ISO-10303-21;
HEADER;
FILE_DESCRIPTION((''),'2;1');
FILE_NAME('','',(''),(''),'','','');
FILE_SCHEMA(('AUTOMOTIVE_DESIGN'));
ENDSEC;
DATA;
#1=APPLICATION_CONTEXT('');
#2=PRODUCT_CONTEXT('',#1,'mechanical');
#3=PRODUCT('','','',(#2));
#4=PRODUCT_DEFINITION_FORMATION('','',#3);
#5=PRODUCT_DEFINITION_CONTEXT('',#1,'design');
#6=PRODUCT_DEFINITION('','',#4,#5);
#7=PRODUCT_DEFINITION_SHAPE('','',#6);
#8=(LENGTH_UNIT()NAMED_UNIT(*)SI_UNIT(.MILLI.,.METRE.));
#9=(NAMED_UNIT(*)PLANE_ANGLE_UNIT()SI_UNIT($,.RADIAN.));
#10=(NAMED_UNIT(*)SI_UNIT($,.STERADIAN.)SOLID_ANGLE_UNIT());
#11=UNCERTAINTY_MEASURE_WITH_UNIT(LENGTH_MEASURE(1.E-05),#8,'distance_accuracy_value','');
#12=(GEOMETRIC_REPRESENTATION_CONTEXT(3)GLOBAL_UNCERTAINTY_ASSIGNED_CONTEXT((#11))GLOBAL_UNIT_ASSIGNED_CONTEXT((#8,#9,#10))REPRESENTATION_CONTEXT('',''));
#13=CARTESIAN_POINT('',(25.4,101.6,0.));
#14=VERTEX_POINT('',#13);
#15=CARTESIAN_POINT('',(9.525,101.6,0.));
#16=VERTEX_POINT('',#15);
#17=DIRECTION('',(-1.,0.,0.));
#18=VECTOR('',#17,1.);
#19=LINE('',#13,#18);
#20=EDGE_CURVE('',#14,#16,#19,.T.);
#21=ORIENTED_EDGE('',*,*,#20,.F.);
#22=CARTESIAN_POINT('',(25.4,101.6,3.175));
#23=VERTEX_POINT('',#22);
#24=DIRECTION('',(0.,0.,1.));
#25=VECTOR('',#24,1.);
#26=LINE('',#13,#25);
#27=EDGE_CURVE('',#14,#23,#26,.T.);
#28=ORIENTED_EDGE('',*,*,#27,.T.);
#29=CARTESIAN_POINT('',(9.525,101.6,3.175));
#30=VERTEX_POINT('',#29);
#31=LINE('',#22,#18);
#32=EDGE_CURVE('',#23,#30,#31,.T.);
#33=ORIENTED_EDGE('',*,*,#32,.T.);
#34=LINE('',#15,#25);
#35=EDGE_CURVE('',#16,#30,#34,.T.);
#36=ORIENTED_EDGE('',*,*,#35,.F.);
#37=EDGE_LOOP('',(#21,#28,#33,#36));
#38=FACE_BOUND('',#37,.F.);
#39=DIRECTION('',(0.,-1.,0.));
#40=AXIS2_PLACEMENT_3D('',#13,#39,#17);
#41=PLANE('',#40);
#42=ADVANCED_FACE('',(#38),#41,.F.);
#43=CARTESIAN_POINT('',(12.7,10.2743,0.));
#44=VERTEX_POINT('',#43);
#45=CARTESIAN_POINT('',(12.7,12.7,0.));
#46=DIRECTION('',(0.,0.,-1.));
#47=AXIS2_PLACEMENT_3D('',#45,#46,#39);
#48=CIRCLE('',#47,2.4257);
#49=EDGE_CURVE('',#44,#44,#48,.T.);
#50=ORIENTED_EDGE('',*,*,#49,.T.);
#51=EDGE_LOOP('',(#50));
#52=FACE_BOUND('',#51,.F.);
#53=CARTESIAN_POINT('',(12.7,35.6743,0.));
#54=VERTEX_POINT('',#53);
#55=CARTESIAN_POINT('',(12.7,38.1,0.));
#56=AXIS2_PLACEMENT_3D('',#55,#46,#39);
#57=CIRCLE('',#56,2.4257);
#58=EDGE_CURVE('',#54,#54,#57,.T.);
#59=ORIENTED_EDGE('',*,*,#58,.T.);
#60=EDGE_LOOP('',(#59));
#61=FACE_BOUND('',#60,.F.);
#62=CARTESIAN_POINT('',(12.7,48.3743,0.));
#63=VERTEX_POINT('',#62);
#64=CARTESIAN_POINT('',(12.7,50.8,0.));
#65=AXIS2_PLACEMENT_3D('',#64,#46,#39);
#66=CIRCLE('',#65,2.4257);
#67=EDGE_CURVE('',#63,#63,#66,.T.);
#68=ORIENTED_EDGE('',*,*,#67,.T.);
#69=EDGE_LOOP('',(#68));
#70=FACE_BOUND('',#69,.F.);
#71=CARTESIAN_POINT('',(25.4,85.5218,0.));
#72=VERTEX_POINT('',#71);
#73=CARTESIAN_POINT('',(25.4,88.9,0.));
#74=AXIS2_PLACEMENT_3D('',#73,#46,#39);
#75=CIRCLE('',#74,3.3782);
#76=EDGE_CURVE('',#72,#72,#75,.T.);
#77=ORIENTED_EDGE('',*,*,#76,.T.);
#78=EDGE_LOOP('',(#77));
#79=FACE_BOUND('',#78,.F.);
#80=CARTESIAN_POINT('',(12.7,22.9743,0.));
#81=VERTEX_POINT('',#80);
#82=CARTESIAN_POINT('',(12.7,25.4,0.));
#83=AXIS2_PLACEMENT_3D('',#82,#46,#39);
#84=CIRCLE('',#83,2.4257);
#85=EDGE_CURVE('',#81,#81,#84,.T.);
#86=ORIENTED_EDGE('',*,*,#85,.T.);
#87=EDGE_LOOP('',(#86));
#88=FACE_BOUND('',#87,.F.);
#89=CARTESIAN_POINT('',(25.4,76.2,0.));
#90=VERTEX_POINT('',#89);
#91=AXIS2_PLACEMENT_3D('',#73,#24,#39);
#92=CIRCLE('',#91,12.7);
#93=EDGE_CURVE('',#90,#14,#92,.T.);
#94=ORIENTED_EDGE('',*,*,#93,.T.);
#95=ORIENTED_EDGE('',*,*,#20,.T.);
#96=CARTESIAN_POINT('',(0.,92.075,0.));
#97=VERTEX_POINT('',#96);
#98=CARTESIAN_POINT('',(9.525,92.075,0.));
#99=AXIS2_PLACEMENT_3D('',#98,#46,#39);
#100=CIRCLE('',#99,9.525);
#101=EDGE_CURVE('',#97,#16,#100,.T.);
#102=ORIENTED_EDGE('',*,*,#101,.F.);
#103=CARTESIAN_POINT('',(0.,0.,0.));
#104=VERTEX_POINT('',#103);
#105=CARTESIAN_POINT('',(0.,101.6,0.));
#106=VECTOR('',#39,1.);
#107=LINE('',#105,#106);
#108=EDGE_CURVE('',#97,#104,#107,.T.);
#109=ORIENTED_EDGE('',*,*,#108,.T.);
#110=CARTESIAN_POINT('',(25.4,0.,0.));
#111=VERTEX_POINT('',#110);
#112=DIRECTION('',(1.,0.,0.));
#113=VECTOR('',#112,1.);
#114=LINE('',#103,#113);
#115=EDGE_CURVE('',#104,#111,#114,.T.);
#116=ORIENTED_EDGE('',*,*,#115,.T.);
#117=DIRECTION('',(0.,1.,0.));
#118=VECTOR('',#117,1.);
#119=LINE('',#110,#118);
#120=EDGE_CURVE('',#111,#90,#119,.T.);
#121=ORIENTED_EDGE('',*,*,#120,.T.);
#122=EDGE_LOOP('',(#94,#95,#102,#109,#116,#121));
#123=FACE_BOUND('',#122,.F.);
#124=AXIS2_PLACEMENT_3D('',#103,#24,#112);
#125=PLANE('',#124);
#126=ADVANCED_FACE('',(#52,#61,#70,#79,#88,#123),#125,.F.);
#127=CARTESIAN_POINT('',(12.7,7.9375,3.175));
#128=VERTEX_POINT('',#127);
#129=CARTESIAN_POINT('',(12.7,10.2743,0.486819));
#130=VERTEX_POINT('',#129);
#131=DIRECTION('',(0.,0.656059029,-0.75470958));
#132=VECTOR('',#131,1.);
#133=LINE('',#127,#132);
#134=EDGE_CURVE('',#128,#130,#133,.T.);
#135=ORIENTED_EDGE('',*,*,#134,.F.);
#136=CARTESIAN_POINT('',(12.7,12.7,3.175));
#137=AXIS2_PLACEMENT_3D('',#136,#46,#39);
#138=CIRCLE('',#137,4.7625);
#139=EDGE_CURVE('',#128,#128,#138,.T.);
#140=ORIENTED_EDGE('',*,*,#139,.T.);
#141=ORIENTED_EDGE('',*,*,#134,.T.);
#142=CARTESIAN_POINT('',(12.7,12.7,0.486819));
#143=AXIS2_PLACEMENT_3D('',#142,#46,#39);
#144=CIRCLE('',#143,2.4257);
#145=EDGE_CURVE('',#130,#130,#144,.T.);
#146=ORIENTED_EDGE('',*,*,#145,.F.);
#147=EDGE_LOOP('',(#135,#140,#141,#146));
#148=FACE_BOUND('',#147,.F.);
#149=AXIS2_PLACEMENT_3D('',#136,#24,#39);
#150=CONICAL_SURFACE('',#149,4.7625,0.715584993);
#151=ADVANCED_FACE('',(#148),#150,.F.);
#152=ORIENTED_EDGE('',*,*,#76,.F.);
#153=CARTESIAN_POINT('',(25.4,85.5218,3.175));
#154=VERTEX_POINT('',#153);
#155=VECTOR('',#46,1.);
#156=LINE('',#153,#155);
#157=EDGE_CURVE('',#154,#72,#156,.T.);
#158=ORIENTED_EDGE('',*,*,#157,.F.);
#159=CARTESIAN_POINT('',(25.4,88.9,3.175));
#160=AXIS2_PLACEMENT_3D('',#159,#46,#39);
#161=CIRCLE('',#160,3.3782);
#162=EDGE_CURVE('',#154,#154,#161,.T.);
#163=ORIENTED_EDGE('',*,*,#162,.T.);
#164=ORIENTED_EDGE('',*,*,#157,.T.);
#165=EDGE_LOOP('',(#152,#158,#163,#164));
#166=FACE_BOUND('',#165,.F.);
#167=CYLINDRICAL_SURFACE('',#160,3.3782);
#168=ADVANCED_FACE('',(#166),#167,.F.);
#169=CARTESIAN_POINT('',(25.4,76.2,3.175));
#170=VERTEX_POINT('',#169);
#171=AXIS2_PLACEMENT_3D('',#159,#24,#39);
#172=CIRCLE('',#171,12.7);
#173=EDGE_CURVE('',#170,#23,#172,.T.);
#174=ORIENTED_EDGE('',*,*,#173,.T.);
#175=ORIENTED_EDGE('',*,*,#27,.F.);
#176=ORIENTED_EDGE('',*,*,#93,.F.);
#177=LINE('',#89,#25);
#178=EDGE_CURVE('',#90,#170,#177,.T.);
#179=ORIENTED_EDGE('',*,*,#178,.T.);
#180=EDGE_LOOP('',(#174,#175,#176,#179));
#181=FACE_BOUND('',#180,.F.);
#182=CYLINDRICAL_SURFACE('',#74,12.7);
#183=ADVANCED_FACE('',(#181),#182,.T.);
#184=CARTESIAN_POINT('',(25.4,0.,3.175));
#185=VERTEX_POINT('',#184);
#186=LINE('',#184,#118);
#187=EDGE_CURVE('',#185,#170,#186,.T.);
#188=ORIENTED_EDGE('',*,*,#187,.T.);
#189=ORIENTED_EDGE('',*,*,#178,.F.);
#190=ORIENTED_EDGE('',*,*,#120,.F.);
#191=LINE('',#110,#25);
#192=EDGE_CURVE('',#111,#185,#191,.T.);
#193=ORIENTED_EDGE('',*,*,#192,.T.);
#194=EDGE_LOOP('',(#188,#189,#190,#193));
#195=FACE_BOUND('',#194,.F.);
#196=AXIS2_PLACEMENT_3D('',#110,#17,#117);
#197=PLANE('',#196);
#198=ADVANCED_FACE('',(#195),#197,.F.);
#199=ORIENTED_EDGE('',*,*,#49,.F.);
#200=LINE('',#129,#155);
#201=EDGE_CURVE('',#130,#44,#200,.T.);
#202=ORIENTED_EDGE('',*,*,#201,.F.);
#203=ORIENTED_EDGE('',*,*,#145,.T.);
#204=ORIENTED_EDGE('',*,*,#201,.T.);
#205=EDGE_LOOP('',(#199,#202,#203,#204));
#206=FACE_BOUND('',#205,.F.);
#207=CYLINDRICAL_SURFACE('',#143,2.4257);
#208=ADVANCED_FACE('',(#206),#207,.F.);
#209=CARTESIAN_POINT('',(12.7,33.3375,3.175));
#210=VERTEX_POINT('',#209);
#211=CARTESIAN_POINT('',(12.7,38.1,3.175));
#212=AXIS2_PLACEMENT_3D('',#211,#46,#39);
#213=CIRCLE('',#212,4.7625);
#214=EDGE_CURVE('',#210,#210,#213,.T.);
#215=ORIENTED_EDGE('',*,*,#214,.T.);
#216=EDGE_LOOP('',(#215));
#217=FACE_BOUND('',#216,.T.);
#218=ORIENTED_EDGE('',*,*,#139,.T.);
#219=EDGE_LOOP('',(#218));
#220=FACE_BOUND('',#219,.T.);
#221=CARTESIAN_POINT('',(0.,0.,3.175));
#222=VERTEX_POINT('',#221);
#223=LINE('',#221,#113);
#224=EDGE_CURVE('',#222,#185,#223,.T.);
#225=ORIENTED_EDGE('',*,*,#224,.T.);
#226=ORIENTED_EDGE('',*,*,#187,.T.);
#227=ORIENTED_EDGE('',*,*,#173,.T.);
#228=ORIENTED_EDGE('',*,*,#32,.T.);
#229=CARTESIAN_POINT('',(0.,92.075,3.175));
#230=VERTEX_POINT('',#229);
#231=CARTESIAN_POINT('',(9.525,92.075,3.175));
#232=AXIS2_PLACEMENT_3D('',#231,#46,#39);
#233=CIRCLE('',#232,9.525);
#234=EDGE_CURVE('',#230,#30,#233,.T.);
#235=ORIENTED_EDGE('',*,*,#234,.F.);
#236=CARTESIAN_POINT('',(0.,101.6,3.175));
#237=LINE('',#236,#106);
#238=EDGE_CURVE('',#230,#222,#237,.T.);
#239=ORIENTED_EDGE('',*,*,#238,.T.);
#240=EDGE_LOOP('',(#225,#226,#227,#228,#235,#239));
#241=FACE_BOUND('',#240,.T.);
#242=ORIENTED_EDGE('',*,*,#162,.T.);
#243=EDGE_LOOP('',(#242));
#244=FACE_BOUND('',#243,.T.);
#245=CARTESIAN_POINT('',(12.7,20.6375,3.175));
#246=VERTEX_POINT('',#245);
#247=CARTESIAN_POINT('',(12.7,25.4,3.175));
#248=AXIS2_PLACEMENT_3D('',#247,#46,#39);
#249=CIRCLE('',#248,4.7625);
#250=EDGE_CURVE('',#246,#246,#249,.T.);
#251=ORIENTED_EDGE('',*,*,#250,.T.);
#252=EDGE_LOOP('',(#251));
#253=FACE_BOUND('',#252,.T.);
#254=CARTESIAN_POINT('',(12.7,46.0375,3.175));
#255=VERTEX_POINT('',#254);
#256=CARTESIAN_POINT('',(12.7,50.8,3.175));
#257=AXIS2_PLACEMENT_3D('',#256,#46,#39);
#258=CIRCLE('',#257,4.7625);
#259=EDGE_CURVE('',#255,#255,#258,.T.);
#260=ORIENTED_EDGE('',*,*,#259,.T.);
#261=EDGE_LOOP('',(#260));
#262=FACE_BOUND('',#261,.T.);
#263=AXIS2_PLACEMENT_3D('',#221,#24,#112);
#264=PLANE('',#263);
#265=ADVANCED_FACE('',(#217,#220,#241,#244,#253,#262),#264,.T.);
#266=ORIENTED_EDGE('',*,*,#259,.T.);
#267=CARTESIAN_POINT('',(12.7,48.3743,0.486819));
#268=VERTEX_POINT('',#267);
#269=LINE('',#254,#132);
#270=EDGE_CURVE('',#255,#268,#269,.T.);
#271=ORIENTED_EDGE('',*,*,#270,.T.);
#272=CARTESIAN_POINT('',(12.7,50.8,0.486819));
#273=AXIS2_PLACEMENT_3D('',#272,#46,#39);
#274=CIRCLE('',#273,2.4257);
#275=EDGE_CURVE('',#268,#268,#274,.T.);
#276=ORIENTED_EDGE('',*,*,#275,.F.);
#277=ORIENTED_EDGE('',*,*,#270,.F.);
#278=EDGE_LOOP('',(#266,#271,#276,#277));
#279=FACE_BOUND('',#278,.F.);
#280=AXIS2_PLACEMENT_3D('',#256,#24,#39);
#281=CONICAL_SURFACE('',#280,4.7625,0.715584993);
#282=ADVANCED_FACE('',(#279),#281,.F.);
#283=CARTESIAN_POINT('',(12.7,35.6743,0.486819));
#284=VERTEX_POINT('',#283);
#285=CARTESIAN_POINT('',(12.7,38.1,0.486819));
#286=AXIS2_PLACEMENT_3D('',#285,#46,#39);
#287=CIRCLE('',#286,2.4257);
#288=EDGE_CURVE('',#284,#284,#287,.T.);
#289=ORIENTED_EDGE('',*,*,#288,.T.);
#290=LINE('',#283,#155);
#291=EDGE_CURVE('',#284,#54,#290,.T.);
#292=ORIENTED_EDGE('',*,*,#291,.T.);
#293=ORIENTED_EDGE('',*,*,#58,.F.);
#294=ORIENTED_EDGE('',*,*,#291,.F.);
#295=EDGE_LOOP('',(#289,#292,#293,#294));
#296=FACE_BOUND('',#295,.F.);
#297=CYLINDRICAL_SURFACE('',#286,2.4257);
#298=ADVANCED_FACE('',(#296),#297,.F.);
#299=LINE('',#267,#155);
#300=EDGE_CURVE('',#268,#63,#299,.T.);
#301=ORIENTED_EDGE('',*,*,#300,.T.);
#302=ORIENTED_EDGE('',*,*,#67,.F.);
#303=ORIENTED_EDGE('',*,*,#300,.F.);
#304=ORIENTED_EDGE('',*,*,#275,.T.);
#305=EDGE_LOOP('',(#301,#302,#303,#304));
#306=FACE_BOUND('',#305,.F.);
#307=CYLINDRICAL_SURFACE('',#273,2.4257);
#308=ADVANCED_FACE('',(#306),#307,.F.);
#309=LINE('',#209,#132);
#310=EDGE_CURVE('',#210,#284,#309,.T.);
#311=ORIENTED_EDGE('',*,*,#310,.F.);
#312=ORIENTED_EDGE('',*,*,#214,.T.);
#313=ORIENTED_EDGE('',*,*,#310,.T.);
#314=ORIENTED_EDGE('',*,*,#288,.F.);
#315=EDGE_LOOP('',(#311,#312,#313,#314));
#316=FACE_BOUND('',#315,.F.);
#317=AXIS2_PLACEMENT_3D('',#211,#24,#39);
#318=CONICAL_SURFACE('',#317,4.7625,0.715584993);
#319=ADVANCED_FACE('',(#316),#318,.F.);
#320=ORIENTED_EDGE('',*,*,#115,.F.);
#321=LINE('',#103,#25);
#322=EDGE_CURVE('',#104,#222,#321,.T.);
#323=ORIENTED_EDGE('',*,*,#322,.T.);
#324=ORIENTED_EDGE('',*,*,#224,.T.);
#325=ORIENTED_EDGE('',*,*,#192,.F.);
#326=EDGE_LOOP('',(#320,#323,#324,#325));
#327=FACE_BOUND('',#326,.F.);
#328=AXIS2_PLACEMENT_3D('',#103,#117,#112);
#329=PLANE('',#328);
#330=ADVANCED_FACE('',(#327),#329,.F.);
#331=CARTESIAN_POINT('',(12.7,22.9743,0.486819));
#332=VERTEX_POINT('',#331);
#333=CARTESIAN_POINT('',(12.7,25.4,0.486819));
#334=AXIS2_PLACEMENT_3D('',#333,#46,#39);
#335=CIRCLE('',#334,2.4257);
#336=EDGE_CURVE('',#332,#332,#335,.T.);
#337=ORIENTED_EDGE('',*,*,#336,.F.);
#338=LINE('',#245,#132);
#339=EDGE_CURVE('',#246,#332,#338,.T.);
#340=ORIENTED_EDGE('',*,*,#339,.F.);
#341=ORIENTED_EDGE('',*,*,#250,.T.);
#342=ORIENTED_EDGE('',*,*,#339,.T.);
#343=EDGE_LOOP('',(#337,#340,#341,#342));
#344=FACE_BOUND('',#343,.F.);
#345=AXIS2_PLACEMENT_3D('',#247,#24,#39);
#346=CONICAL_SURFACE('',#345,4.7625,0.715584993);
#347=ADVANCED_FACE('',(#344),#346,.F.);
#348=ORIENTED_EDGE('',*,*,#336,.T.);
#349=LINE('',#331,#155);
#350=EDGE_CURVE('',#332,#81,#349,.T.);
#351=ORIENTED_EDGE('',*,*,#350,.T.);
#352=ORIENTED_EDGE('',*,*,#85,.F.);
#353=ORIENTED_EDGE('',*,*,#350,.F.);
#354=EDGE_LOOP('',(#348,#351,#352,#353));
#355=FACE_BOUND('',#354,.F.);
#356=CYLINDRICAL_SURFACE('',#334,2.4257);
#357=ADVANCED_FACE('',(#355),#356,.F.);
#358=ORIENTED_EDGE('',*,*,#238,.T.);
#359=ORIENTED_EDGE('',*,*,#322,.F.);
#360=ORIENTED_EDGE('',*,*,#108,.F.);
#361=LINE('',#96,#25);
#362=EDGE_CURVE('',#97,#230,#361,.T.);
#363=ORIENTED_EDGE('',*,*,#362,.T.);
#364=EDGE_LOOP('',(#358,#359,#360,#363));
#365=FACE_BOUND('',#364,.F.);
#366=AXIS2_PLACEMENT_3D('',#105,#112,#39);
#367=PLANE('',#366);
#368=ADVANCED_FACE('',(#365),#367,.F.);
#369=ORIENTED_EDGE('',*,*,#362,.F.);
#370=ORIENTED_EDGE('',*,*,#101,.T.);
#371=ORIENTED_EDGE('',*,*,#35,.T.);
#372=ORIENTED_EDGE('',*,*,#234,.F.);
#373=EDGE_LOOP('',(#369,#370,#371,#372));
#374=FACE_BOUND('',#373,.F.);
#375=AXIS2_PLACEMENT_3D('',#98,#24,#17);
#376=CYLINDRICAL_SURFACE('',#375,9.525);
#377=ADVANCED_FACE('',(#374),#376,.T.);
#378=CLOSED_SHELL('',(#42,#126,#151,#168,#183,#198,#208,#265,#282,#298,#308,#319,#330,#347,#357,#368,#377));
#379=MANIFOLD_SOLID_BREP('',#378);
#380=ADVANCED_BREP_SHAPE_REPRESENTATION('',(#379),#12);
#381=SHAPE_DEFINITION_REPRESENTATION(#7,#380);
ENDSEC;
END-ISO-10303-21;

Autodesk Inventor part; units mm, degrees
ref_plane "YZ Plane" through (0, 0, 0) normal (1, 0, 0) x (0, 1, 0)
ref_plane "XZ Plane" through (0, 0, 0) normal (0, 1, 0) x (-1, 0, 0)
ref_plane "XY Plane" through (0, 0, 0) normal (0, 0, 1) x (1, 0, 0)
sketch "Sketch1" plane through (0, 0, 0) normal (0, 0, 1) x (1, 0, 0)
  line L0 (0, 0) -> (25.4, 0)
  line L1 (25.4, 0) -> (25.4, 101.6)
  line L2 (25.4, 101.6) -> (0, 101.6)
  line L3 (0, 101.6) -> (0, 0)
  arc A0 (25.4, 76.2) -> (25.4, 101.6) centre (25.4, 88.9) ccw
  dimension "d0" = 101.6
  dimension "d1" = 25.4
  dimension "d2" = 25.4
extrude "Extrusion1" add sketch "Sketch1" along normal blind 3.175
sketch "Sketch3" plane through (0, 0, 3.175) normal (0, 0, 1) x (1, 0, 0)
  line L0 (0, 101.6) -> (0, 0) projected
  line L1 (0, 0) -> (25.4, 0) projected
  line L2 (25.4, 101.6) -> (0, 101.6) projected
  point P0 (12.7, 50.8)
  point P1 (12.7, 38.1)
  point P2 (12.7, 25.4)
  point P3 (12.7, 12.7)
  dimension "d48" = 12.7
  dimension "d49" = 12.7
  dimension "d50" = 12.7
hole "Hole1" at (12.7, 50.8, 3.175) at (12.7, 38.1, 3.175) at (12.7, 25.4, 3.175) at (12.7, 12.7, 3.175) direction (0, 0, -1) diameter 4.8514 end through all countersink diameter 9.525 countersink angle 82
sketch "Sketch4" plane through (0, 0, 3.175) normal (0, 0, 1) x (1, 0, 0)
  line L0 (25.4, 0) -> (25.4, 76.2) projected
  arc A0 (25.4, 76.2) -> (25.4, 101.6) centre (25.4, 88.9) ccw projected
  point P0 (0, 0)
hole "Hole2" at (25.4, 88.9, 3.175) direction (0, 0, -1) diameter 6.7564 end through all clearance for "Flat Head Machine Screw (82)" size "1/4" standard "Ansi Unified Screw Threads"
fillet "Fillet1" radius 9.525 1 edges at (0, 101.6, 1.5875)
equation "\"d2\" = d1"
properties part number "CLB_028_LifterBracketRight" material "Aluminum 6061"
